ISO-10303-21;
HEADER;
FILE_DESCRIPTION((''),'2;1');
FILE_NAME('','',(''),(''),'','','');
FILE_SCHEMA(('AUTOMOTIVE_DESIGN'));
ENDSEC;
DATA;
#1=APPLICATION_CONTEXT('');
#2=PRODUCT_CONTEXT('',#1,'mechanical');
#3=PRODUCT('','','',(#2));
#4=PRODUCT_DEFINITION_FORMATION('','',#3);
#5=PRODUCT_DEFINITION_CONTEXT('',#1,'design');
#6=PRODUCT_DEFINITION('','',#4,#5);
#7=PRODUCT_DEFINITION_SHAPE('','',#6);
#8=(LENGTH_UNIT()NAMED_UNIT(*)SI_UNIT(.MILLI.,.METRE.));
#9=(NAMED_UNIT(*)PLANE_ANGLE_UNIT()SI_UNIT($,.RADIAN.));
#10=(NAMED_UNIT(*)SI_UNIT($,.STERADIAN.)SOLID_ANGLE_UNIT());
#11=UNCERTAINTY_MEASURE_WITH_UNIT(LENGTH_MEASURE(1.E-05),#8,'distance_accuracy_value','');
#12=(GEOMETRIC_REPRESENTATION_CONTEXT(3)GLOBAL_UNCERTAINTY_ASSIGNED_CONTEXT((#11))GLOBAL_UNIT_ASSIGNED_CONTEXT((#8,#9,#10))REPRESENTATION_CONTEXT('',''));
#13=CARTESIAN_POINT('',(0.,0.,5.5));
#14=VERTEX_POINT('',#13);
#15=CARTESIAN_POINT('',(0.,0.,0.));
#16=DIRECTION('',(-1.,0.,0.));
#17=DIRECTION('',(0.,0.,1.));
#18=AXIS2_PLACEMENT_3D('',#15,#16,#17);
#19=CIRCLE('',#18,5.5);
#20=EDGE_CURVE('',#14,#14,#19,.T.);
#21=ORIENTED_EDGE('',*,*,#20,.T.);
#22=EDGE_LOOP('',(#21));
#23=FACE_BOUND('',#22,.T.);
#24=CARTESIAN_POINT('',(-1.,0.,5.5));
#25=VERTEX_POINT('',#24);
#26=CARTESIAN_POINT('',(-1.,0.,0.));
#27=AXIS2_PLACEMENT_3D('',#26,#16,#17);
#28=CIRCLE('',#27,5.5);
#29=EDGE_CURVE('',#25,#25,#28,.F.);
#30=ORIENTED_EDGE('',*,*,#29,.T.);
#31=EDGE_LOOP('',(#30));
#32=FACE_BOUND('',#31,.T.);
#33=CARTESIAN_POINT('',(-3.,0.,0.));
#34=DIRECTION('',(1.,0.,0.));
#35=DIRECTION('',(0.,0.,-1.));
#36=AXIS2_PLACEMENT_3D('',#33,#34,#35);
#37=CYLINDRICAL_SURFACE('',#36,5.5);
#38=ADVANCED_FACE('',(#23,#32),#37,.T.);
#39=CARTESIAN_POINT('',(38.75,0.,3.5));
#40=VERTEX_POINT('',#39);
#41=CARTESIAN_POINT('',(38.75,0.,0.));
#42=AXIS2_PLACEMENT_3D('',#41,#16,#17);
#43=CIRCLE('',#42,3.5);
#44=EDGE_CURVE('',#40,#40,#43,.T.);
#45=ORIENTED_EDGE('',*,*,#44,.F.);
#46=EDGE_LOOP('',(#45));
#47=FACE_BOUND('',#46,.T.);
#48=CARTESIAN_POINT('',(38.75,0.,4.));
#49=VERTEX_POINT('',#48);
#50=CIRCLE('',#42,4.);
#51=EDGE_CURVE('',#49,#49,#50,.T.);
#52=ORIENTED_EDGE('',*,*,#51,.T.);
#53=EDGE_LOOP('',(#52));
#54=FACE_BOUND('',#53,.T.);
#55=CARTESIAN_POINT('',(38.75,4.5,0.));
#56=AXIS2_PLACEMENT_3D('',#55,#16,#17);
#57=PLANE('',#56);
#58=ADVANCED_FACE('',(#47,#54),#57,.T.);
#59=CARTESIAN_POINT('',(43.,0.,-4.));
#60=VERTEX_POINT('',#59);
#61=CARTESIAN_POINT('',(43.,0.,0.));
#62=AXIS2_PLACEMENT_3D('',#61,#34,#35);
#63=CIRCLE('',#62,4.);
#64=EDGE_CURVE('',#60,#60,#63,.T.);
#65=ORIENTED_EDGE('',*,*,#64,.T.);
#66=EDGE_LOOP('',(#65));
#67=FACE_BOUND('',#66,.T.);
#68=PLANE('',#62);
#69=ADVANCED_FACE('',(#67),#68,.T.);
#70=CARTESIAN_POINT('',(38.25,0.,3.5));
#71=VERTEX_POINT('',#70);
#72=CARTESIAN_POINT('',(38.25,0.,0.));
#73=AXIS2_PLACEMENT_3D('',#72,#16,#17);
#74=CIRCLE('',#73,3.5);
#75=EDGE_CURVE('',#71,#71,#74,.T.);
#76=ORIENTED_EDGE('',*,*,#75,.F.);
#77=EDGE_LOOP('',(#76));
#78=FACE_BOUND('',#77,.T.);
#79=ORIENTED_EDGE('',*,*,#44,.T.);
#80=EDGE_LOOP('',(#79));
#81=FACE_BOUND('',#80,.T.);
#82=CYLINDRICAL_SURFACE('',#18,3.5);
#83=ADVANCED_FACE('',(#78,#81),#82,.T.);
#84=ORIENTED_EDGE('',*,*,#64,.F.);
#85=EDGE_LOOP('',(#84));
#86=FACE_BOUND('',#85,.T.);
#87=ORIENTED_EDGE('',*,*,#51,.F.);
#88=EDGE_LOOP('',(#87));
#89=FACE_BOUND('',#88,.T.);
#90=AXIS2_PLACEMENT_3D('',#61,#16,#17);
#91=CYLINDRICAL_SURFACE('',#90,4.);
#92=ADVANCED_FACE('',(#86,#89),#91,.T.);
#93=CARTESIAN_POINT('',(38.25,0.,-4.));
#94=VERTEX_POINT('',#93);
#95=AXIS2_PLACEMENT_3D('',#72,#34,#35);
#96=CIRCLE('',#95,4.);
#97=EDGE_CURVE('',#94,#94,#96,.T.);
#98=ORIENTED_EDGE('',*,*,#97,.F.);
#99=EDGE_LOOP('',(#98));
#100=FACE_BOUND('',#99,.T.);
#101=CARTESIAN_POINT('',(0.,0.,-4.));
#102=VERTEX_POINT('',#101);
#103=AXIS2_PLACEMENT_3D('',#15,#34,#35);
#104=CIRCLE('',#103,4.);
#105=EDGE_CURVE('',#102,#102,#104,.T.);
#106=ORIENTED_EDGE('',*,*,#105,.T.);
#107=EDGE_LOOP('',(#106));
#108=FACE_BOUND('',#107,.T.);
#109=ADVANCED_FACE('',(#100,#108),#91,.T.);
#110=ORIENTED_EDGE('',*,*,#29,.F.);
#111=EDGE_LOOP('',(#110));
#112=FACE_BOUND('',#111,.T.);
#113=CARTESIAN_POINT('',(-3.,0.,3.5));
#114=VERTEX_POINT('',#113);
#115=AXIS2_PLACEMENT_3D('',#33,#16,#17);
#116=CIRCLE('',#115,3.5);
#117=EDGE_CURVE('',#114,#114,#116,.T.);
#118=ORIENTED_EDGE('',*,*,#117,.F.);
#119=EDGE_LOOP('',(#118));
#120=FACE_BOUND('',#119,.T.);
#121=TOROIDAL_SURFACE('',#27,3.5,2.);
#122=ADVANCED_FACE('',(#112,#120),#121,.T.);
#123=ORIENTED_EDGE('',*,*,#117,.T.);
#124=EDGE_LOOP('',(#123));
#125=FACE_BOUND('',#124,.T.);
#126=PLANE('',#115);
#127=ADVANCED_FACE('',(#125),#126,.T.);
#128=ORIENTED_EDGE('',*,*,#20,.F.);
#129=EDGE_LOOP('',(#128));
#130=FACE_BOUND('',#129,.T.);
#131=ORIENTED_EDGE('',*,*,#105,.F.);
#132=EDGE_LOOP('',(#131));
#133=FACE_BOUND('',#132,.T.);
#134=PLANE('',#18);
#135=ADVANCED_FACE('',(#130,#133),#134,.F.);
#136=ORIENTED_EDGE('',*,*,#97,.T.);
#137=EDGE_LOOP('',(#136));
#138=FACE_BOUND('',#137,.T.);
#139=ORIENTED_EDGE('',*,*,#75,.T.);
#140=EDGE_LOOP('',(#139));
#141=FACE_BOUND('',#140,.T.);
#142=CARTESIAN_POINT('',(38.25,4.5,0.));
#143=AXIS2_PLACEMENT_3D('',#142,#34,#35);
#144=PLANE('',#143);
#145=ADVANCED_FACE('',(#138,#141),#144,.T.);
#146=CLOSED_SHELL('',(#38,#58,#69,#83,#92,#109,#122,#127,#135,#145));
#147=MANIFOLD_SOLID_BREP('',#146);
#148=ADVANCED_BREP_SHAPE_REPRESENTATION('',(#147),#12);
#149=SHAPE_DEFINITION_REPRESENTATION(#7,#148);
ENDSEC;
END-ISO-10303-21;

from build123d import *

# Parameters (mm, degrees)
SKETCH1_R           = 4
BOSS_EXTRUDE1_DEPTH = 43
SKETCH2_R           = 5.5
BOSS_EXTRUDE2_DEPTH = 3
FILLET1_R           = 2
SKETCH3_W           = 0.5
SKETCH3_H           = 1


with BuildPart() as part:
    # Sketch1 → Boss-Extrude1 (new body)
    with BuildSketch(Plane(origin=(0, 0, 0), x_dir=(0, 0, -1), z_dir=(1, 0, 0))):
        Circle(SKETCH1_R)
    extrude(amount=BOSS_EXTRUDE1_DEPTH)

    # Sketch2 → Boss-Extrude2 (add)
    with BuildSketch(Plane.ZY):
        Circle(SKETCH2_R)
    extrude(amount=BOSS_EXTRUDE2_DEPTH)

    # Fillet1
    fillet1_edges = [part.edges().sort_by_distance(p)[0] for p in [
        (-3, 0, -5.5),
    ]]
    fillet(fillet1_edges, radius=FILLET1_R)

    # Sketch3 → Cut-Revolve1 (revolve, cut)
    with BuildSketch(Plane.XY, mode=Mode.PRIVATE) as cut_revolve1_sk:
        with Locations((38.5, 4)):
            Rectangle(SKETCH3_W, SKETCH3_H)
    revolve(cut_revolve1_sk.sketch.rotate(Axis((0, 0, 0), (1, 0, 0)), 90), axis=Axis((0, 0, 0), (1, 0, 0)), mode=Mode.SUBTRACT)


solid = part.part
